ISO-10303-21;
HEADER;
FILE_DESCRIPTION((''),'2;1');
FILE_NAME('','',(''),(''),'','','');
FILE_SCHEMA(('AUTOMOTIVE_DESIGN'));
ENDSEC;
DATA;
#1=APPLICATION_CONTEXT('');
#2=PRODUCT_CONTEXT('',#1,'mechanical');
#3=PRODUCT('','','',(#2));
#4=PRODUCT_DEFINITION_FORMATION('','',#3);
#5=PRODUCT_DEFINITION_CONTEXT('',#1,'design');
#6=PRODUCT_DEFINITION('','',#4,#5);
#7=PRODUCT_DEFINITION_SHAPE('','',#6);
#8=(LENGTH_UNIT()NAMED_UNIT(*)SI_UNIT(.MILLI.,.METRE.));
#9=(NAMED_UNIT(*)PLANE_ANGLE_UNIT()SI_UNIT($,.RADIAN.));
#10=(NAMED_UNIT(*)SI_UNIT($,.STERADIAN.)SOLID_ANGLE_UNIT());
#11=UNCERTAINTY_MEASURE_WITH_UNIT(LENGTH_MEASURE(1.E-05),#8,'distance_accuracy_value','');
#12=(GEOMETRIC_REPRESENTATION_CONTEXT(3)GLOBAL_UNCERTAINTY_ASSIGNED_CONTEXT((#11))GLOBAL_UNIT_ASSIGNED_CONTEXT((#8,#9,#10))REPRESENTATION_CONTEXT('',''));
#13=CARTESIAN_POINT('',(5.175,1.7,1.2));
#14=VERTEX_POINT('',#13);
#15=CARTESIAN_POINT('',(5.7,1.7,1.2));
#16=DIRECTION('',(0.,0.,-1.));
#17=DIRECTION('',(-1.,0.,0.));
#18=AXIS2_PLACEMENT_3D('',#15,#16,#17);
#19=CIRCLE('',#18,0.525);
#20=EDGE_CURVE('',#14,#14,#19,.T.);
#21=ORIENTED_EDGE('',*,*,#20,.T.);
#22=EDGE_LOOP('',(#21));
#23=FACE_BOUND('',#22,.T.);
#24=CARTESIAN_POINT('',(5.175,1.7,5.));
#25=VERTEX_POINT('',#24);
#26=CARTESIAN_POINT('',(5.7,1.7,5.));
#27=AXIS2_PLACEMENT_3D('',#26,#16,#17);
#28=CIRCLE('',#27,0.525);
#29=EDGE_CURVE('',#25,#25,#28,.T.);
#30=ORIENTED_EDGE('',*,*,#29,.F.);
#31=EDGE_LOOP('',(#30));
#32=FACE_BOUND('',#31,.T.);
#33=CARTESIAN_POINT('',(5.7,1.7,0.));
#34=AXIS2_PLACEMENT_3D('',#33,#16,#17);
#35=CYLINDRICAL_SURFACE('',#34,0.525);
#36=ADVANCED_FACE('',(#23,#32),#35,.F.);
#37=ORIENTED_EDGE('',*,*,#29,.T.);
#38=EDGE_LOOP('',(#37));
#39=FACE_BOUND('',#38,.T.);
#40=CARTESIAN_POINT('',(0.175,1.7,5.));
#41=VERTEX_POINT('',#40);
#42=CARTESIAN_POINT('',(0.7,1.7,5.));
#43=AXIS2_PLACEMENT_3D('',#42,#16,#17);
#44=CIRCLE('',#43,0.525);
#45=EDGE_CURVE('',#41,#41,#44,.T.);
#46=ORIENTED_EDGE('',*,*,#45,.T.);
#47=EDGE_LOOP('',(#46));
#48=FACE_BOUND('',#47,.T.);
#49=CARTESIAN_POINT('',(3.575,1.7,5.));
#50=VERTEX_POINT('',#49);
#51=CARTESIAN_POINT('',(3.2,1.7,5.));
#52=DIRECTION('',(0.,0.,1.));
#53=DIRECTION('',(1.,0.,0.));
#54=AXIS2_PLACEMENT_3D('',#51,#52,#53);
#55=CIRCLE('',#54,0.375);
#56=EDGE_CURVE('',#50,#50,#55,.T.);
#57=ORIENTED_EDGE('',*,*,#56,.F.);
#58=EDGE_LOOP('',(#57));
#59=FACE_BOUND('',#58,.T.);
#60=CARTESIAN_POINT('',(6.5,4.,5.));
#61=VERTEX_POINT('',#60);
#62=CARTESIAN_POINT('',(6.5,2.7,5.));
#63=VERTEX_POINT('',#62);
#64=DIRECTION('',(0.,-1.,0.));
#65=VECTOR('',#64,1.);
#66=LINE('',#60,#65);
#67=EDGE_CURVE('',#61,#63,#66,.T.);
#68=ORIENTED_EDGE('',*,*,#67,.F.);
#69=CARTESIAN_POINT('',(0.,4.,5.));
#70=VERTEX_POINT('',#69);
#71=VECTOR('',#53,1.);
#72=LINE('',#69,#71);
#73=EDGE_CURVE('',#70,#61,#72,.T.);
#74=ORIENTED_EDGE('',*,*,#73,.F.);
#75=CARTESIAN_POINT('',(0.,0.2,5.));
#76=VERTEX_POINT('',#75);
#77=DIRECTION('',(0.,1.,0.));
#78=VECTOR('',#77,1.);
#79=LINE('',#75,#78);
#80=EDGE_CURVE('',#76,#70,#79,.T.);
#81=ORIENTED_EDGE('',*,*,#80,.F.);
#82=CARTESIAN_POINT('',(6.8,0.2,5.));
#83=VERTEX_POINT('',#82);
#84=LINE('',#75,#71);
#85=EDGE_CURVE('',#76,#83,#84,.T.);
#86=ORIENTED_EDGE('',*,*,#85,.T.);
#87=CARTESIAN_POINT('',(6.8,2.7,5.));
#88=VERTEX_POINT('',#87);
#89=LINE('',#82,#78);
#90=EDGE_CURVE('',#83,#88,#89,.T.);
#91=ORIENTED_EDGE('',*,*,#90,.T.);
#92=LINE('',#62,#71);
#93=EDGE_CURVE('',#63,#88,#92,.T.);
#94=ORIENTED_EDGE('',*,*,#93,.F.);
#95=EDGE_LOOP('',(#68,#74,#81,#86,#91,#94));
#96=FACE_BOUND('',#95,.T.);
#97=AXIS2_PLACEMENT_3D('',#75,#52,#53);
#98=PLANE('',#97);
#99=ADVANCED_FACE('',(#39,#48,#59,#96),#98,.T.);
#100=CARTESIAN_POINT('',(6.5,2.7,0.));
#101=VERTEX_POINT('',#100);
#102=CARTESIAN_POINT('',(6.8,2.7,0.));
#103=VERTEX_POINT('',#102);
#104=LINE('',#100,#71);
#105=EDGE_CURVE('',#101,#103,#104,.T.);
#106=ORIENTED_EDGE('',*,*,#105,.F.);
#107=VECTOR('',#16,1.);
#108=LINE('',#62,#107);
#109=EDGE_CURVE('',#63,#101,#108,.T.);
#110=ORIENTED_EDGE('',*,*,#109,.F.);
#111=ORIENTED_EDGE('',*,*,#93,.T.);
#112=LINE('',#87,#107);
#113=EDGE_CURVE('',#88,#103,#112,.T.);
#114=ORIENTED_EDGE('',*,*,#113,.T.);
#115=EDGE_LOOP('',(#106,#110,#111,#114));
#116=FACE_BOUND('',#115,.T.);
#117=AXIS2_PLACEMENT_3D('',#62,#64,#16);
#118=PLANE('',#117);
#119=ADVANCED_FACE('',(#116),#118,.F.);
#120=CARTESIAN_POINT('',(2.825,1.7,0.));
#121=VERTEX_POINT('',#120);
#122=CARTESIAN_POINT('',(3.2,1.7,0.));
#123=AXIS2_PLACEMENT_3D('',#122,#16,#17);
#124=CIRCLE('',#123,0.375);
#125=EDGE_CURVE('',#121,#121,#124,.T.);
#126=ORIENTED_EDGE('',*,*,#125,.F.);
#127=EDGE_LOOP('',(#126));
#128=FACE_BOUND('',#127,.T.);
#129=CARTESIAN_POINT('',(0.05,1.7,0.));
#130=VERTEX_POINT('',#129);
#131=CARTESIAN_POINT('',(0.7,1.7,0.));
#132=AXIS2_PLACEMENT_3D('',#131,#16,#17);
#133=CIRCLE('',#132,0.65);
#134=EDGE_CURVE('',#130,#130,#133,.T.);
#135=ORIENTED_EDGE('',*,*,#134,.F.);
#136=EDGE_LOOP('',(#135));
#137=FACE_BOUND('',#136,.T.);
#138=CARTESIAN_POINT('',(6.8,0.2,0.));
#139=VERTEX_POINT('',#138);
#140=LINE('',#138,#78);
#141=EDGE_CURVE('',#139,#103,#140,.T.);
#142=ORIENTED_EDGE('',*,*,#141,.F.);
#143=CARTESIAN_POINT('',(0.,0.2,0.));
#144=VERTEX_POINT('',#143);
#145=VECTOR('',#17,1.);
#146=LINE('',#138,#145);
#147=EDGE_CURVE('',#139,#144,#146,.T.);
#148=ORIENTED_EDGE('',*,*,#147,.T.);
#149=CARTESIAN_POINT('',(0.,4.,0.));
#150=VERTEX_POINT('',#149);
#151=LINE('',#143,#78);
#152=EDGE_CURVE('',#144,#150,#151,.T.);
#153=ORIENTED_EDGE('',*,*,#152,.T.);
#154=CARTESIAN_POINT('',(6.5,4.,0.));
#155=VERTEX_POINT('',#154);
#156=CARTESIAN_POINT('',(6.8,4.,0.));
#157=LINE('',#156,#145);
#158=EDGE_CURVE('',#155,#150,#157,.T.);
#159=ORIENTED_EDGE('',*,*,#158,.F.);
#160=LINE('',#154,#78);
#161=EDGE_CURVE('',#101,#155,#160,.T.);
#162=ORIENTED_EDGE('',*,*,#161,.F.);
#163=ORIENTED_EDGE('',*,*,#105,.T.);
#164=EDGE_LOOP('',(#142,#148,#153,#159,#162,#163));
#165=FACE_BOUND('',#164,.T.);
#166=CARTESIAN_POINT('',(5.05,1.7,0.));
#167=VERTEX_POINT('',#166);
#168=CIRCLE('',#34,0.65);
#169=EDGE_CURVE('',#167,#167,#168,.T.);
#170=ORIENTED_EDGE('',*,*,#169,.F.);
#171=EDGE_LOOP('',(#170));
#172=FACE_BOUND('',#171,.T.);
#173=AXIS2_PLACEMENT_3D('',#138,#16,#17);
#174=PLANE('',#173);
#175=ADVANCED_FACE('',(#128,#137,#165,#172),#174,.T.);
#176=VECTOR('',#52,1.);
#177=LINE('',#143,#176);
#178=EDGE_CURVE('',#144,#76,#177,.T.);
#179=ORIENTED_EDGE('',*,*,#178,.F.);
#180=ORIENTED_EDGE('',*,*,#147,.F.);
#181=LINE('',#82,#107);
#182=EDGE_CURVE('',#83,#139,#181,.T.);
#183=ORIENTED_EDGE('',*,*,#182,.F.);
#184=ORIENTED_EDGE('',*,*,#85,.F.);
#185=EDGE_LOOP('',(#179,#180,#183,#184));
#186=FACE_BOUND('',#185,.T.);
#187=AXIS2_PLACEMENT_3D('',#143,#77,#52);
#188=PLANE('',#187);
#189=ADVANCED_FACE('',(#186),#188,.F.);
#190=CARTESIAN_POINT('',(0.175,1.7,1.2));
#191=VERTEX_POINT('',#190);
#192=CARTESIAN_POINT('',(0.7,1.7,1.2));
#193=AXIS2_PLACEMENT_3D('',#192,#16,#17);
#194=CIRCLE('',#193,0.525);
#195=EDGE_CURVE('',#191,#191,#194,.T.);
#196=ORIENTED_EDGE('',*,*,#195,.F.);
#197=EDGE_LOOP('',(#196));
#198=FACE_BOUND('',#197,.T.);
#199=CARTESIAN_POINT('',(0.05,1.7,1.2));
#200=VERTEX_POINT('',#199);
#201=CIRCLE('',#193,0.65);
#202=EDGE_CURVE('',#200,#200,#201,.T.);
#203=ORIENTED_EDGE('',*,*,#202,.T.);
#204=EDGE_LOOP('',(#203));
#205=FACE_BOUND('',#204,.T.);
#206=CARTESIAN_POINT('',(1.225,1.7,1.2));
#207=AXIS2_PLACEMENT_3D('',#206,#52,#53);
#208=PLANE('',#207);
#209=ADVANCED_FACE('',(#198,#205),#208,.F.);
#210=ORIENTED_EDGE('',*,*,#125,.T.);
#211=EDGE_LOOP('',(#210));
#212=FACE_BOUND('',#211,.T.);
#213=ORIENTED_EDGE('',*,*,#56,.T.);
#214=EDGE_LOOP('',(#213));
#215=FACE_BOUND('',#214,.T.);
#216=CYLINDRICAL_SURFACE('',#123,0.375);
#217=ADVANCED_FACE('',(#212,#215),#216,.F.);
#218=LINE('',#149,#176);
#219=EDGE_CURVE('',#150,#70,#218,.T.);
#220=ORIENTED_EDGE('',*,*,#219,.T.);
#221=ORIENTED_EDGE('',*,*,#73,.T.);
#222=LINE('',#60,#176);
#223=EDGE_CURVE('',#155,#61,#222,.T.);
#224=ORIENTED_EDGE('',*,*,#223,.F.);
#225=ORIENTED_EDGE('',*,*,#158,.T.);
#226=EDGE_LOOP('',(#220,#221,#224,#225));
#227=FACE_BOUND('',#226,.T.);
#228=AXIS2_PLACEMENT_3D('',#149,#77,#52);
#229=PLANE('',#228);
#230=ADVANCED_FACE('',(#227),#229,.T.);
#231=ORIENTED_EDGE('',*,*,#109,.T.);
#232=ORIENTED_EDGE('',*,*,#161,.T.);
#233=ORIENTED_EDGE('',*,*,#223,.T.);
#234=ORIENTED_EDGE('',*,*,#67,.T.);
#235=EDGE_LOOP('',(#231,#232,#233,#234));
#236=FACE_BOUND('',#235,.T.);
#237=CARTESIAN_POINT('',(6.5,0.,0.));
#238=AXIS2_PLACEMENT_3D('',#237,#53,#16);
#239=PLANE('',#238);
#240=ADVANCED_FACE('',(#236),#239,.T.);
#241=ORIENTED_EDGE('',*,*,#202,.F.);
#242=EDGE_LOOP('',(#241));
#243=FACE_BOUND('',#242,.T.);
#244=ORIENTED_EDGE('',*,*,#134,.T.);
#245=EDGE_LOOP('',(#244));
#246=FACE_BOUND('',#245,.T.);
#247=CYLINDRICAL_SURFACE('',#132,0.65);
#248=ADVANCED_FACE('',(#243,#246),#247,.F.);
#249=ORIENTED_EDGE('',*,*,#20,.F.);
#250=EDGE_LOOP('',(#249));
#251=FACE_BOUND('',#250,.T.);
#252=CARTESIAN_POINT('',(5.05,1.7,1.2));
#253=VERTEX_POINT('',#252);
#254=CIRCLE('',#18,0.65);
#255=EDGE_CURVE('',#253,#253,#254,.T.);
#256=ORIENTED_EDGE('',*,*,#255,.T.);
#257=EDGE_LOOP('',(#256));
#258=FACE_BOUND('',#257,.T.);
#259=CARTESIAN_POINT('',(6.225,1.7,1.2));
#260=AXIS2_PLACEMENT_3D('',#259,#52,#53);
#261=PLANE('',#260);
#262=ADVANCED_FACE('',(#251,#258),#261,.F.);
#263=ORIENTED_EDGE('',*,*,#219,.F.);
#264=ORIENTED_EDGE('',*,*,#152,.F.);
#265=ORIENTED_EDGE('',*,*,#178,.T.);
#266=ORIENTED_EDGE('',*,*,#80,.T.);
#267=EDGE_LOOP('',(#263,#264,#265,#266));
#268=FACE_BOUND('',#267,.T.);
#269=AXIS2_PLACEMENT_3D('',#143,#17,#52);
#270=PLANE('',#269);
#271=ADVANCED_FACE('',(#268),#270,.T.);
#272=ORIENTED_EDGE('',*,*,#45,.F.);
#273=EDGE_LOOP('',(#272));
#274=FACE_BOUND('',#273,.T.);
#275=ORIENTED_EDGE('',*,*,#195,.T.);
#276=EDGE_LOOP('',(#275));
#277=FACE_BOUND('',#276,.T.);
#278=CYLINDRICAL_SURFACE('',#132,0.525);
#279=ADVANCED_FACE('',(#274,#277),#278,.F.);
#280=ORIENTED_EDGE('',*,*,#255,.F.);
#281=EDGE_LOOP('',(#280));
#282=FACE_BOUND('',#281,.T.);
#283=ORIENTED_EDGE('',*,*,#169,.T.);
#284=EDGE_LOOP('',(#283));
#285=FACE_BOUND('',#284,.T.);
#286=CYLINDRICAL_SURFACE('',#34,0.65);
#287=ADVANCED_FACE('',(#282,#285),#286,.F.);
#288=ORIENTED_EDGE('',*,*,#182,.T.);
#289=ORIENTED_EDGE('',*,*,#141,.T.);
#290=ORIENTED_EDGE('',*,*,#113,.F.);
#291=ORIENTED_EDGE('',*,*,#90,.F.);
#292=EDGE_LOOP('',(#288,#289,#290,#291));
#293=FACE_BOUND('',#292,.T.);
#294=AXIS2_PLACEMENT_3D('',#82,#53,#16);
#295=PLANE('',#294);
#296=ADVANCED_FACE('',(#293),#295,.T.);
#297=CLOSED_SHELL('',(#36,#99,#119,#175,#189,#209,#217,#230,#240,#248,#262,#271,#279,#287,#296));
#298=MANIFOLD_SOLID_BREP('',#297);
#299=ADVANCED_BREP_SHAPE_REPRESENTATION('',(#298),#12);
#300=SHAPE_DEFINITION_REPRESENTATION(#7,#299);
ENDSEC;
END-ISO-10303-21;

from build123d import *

# Parameters (mm, degrees)
SKETCH1_W                = 6.8
SKETCH1_H                = 5
BOSS_EXTRUDE1_DEPTH      = 3.8
HOLE1_D                  = 1.05
HOLE1_CBORE_D            = 1.3
HOLE1_CBORE_DEPTH        = 1.2
SKETCH20_W               = 5
SKETCH20_H               = 1.3
CUT_EXTRUDE11_DEPTH      = 0.3
M1_0X0_25_TAPPED_HOLE1_D = 0.75


with BuildPart() as part:
    # Sketch1 → Boss-Extrude1 (new body)
    with BuildSketch(Plane(origin=(0, 4, 0), x_dir=(-1, 0, 0), z_dir=(0, 1, 0))):
        with Locations((-3.4, 2.5)):
            Rectangle(SKETCH1_W, SKETCH1_H)
    extrude(amount=-BOSS_EXTRUDE1_DEPTH)

    # Hole1 (through all)
    with Locations(Plane(origin=(0, 0, 0), x_dir=(-1, 0, 0), z_dir=(0, 0, -1))):
        with Locations((-5.7, 1.7), (-0.7, 1.7)):
            CounterBoreHole(HOLE1_D / 2, HOLE1_CBORE_D / 2, HOLE1_CBORE_DEPTH)

    # Sketch20 → Cut-Extrude11 (cut)
    with BuildSketch(Plane(origin=(6.8, 0, 0), x_dir=(0, 0, -1), z_dir=(1, 0, 0))):
        with Locations((-2.5, 3.35)):
            Rectangle(SKETCH20_W, SKETCH20_H)
    extrude(amount=-CUT_EXTRUDE11_DEPTH, mode=Mode.SUBTRACT)

    # M1.0x0.25 Tapped Hole1 (through all)
    with Locations(Plane(origin=(0, 0, 0), x_dir=(-1, 0, 0), z_dir=(0, 0, -1))):
        with Locations((-3.2, 1.7)):
            Hole(M1_0X0_25_TAPPED_HOLE1_D / 2)


solid = part.part
